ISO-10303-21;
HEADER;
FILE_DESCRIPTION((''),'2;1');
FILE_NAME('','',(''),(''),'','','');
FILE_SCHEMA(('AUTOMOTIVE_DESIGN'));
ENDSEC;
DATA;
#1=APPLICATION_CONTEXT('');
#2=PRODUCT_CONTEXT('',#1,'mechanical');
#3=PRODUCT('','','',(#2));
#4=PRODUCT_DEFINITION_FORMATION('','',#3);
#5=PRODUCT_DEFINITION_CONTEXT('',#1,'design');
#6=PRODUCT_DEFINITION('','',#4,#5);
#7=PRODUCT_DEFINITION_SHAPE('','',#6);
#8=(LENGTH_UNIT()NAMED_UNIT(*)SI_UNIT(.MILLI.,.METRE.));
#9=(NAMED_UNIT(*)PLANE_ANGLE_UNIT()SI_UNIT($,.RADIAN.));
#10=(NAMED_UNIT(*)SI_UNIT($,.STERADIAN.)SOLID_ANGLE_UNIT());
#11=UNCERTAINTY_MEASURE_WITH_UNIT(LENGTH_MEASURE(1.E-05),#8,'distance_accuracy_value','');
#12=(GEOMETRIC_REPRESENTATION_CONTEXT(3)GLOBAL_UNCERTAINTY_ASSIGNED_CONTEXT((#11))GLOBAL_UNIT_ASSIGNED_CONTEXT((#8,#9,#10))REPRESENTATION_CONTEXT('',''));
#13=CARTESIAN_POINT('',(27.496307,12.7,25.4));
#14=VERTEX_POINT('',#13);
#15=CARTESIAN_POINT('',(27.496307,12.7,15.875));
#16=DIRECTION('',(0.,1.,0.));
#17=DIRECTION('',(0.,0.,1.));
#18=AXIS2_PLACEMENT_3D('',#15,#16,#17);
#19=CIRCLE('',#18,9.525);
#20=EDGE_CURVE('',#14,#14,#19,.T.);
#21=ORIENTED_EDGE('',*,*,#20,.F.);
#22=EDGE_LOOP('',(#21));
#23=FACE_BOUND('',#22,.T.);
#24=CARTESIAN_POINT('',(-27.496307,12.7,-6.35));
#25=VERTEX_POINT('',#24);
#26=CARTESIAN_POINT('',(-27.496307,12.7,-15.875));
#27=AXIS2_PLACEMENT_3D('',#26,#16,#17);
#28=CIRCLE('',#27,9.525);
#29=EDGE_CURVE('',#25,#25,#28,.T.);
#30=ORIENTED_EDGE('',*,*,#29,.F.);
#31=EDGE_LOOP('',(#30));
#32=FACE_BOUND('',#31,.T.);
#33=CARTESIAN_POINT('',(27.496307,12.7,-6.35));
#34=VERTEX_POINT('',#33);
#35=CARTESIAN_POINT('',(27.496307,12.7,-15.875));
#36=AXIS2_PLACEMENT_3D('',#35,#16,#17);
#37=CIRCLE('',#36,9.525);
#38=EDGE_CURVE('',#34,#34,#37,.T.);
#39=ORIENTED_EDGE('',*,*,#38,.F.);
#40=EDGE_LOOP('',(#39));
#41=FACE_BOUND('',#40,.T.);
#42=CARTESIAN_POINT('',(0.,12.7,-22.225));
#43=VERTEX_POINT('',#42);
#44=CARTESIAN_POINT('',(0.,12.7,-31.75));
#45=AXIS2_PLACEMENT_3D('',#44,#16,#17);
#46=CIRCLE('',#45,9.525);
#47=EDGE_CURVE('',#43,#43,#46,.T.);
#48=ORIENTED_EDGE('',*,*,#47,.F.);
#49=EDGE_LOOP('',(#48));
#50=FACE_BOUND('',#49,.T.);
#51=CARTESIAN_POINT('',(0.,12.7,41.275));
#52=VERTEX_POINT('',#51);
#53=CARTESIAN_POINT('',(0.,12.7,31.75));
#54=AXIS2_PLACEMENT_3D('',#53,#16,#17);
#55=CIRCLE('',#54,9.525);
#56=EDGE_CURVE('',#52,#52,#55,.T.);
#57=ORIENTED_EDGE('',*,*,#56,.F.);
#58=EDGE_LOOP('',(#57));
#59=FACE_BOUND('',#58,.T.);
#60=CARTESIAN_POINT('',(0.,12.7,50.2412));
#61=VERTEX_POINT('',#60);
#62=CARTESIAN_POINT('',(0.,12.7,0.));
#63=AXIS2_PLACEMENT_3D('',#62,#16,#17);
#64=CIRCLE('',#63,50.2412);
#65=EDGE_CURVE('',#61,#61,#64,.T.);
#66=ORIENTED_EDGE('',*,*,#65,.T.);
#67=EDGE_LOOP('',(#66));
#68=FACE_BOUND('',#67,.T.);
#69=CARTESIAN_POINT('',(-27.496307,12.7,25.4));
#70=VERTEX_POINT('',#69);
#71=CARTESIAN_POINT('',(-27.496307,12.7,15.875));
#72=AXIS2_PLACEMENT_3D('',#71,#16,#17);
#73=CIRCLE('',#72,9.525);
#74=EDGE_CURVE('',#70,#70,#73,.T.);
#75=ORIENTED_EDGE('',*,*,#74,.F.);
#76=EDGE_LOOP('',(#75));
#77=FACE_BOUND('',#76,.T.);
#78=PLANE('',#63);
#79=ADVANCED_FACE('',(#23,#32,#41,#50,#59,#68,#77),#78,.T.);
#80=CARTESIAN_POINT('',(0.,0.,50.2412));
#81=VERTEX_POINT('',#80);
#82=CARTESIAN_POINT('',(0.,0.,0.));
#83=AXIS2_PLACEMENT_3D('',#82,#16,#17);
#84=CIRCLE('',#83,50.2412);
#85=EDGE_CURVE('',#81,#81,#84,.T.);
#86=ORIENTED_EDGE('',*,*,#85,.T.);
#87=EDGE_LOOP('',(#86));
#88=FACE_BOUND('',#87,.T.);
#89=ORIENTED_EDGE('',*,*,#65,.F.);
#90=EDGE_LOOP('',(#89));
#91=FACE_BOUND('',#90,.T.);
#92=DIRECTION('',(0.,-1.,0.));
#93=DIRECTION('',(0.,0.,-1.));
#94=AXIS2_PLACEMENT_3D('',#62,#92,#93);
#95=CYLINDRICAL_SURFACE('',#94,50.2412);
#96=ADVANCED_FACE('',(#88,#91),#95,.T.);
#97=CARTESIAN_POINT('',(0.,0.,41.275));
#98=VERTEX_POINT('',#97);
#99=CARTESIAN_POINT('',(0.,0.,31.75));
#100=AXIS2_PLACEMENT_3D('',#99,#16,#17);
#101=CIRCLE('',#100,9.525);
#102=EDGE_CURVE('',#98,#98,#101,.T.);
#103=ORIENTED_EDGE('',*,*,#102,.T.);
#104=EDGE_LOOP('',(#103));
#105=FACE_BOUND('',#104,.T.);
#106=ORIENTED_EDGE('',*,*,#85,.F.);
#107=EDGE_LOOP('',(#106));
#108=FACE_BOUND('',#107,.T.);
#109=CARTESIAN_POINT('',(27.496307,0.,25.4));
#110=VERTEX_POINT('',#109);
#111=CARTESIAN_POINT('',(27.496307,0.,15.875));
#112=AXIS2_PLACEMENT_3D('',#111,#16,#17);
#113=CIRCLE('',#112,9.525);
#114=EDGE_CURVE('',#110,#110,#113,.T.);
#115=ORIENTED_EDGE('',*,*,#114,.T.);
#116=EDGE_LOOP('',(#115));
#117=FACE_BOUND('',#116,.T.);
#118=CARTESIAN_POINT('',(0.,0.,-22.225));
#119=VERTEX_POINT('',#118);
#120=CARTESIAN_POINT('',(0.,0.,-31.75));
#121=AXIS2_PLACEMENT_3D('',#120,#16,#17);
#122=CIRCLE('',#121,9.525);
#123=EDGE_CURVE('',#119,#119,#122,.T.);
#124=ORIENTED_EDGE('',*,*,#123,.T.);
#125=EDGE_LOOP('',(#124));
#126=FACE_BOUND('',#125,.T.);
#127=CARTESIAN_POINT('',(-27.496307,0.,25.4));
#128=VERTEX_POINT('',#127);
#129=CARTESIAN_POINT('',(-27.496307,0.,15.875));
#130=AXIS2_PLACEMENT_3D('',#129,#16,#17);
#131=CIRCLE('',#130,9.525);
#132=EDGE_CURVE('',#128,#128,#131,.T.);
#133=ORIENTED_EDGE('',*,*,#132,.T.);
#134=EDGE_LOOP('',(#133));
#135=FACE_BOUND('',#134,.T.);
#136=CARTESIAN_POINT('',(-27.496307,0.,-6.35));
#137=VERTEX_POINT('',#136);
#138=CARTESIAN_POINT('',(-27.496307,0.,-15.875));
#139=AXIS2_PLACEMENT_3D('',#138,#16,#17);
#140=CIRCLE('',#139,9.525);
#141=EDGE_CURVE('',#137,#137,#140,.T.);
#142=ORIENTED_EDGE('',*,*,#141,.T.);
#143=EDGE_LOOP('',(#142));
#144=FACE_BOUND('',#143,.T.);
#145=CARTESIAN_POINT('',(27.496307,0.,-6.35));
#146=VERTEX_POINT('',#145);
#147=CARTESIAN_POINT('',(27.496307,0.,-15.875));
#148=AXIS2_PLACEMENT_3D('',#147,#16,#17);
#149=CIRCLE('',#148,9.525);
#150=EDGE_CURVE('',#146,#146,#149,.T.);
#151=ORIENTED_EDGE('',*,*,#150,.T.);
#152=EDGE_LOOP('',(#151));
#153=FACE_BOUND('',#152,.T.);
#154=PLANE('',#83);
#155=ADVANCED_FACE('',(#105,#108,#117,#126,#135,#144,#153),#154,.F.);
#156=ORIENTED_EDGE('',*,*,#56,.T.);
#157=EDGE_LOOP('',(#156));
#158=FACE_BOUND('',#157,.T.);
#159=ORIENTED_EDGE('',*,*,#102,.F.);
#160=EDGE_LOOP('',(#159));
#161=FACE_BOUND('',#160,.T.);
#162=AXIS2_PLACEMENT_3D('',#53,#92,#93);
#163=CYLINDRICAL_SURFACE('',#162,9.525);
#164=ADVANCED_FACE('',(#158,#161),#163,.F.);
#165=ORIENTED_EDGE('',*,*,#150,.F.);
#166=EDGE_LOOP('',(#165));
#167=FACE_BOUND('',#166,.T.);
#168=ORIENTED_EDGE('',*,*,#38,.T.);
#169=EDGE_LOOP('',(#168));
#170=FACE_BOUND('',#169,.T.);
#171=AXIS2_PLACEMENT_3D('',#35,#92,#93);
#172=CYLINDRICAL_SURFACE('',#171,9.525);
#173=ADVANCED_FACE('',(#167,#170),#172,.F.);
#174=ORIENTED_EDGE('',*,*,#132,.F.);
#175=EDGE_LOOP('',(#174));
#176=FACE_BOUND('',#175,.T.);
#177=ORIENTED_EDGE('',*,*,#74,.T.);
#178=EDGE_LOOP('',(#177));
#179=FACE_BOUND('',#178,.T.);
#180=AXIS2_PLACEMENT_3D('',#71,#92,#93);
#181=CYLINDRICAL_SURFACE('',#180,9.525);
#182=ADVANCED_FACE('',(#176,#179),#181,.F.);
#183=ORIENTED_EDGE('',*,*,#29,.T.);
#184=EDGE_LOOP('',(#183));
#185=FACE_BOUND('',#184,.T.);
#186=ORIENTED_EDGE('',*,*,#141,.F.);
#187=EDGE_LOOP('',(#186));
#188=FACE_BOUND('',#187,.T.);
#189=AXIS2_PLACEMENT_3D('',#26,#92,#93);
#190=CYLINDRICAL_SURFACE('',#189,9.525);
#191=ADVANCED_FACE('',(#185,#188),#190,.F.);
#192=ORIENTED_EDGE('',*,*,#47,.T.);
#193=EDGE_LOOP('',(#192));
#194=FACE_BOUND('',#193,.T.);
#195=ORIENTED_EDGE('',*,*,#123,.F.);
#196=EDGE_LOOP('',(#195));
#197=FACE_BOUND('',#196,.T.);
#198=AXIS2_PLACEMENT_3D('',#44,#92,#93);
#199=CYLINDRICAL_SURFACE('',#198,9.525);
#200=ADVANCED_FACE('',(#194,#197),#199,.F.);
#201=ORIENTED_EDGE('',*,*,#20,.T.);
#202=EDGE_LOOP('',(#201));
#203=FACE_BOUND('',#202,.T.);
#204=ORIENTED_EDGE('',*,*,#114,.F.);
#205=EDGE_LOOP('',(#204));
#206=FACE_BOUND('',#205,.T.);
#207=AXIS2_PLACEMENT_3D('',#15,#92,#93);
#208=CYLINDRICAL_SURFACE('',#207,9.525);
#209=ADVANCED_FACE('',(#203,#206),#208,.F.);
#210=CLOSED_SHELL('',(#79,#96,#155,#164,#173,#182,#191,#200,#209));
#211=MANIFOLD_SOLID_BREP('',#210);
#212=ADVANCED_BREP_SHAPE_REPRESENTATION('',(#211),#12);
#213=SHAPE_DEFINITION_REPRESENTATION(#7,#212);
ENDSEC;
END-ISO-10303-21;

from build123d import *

# Parameters (mm, degrees)
SKETCH3_R           = 50.2412
SKETCH3_R_2         = 9.525
BOSS_EXTRUDE1_DEPTH = 12.7


with BuildPart() as part:
    # Sketch3 → Boss-Extrude1 (new body)
    with BuildSketch(Plane(origin=(0, 0, 0), x_dir=(1, 0, 0), z_dir=(0, 1, 0))):
        Circle(SKETCH3_R)
        with Locations((0, 31.75)):
            Circle(SKETCH3_R_2, mode=Mode.SUBTRACT)
        with Locations((27.49630657, 15.875)):
            Circle(SKETCH3_R_2, mode=Mode.SUBTRACT)
        with Locations((27.49630657, -15.875)):
            Circle(SKETCH3_R_2, mode=Mode.SUBTRACT)
        with Locations((0, -31.75)):
            Circle(SKETCH3_R_2, mode=Mode.SUBTRACT)
        with Locations((-27.49630657, -15.875)):
            Circle(SKETCH3_R_2, mode=Mode.SUBTRACT)
        with Locations((-27.49630657, 15.875)):
            Circle(SKETCH3_R_2, mode=Mode.SUBTRACT)
    extrude(amount=BOSS_EXTRUDE1_DEPTH)


solid = part.part
